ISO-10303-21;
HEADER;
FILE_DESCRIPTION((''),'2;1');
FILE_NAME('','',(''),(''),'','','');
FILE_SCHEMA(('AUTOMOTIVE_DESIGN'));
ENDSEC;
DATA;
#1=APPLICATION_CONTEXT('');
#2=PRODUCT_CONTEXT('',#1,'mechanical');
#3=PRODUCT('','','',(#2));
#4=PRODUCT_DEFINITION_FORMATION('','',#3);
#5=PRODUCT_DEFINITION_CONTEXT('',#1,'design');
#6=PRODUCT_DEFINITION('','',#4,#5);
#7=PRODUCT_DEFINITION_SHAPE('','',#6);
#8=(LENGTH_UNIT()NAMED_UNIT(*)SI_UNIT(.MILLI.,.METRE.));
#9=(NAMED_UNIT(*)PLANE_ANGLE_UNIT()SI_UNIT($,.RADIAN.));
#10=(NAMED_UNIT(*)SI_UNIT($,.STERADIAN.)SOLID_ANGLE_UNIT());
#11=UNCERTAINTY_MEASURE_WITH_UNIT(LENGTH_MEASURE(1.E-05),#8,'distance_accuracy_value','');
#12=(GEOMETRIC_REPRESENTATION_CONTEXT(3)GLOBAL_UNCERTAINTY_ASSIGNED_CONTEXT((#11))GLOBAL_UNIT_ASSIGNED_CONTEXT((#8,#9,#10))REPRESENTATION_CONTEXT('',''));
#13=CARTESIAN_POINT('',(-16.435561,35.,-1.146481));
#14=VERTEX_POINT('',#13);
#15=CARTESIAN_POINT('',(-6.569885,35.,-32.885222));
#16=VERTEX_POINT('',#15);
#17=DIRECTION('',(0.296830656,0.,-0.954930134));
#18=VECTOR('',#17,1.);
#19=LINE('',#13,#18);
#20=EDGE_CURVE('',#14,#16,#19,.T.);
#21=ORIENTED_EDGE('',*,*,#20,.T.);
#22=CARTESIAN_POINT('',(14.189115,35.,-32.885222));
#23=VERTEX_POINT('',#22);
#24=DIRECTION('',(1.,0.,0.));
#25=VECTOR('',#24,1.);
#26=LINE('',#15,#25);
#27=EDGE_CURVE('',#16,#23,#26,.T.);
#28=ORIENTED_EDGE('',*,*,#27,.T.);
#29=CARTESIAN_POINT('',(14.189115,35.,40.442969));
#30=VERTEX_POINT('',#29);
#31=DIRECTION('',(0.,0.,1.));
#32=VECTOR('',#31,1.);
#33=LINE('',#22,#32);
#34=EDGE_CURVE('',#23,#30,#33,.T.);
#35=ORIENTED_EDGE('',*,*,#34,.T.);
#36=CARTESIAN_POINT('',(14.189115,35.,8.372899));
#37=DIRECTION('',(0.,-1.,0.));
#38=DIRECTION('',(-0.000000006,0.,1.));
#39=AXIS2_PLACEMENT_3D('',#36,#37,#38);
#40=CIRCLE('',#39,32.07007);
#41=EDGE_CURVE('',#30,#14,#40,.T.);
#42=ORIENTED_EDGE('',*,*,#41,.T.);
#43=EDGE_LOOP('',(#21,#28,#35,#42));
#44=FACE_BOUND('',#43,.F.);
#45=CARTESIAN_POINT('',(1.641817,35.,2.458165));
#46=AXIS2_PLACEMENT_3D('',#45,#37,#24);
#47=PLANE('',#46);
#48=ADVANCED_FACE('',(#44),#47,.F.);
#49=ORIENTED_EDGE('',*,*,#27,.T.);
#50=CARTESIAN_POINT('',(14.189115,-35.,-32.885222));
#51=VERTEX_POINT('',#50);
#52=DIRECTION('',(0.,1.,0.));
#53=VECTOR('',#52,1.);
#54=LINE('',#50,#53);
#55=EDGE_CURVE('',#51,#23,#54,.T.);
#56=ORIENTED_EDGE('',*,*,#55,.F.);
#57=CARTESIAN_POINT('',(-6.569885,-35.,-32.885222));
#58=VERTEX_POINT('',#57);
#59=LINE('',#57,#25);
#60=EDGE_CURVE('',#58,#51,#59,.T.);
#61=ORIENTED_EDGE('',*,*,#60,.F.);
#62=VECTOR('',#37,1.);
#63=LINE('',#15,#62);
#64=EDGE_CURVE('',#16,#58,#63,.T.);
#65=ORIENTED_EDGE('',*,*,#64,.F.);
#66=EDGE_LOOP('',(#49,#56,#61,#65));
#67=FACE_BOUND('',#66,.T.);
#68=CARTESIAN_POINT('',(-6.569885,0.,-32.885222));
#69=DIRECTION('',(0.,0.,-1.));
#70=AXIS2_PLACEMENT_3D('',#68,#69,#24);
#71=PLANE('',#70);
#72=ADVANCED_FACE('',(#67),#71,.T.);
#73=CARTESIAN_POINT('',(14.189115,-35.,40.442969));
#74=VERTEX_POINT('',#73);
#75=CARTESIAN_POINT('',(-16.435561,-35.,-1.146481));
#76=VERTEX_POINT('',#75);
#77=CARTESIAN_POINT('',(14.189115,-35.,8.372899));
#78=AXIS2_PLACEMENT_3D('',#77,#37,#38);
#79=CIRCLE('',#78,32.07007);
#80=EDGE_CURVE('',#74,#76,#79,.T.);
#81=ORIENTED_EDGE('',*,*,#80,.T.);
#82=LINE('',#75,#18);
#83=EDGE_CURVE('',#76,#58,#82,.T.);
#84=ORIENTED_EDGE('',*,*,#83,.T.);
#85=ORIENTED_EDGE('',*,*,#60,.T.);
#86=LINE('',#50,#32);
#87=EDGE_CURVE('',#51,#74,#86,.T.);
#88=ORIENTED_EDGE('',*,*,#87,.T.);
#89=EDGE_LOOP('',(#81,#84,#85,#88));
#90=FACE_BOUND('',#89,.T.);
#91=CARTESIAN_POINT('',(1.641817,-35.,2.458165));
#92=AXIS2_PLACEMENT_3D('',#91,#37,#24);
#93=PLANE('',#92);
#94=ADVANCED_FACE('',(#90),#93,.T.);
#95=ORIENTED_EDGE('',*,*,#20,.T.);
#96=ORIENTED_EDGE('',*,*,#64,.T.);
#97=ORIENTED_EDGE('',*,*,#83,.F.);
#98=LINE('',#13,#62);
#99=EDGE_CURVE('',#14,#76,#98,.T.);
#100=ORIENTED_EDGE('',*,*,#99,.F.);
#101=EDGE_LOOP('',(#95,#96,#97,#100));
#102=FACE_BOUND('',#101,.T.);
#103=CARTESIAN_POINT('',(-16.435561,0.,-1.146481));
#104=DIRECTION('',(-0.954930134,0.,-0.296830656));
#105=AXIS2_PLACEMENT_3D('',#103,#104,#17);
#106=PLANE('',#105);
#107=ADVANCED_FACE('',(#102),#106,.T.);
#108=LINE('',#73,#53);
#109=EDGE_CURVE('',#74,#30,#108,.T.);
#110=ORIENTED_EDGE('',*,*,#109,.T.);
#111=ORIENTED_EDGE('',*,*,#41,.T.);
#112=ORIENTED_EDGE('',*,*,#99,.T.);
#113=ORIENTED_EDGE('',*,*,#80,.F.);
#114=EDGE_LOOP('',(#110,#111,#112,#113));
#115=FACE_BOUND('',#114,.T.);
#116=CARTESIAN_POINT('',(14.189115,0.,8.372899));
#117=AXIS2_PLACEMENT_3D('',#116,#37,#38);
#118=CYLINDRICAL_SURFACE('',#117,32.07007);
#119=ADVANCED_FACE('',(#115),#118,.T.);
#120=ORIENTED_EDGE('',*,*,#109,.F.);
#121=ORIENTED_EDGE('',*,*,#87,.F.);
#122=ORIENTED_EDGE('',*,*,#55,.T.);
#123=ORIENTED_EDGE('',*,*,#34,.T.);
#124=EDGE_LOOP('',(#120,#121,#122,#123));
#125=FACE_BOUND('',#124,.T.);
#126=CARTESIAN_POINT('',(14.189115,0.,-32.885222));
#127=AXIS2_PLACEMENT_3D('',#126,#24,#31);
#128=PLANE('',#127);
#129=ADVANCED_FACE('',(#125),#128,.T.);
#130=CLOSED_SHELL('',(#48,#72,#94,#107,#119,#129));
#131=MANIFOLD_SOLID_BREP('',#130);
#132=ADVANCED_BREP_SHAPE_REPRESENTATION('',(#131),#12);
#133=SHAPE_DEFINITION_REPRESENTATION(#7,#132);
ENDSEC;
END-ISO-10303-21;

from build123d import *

# Parameters (mm, degrees)
F1_DEPTH = 35


with BuildPart() as f1:
    # F0 (on Front) → F1 (new body, symmetric)
    with BuildSketch(Plane.XZ):
        with BuildLine():
            ThreePointArc((14.189115, 40.442969), (-11.635065, 27.388711), (-16.435561, -1.146481))
            Line((-16.435561, -1.146481), (-6.569885, -32.885222))
            Line((-6.569885, -32.885222), (14.189115, -32.885222))
            Line((14.189115, -32.885222), (14.189115, 40.442969))
        make_face()
    extrude(amount=F1_DEPTH, both=True)


solid = f1.part
